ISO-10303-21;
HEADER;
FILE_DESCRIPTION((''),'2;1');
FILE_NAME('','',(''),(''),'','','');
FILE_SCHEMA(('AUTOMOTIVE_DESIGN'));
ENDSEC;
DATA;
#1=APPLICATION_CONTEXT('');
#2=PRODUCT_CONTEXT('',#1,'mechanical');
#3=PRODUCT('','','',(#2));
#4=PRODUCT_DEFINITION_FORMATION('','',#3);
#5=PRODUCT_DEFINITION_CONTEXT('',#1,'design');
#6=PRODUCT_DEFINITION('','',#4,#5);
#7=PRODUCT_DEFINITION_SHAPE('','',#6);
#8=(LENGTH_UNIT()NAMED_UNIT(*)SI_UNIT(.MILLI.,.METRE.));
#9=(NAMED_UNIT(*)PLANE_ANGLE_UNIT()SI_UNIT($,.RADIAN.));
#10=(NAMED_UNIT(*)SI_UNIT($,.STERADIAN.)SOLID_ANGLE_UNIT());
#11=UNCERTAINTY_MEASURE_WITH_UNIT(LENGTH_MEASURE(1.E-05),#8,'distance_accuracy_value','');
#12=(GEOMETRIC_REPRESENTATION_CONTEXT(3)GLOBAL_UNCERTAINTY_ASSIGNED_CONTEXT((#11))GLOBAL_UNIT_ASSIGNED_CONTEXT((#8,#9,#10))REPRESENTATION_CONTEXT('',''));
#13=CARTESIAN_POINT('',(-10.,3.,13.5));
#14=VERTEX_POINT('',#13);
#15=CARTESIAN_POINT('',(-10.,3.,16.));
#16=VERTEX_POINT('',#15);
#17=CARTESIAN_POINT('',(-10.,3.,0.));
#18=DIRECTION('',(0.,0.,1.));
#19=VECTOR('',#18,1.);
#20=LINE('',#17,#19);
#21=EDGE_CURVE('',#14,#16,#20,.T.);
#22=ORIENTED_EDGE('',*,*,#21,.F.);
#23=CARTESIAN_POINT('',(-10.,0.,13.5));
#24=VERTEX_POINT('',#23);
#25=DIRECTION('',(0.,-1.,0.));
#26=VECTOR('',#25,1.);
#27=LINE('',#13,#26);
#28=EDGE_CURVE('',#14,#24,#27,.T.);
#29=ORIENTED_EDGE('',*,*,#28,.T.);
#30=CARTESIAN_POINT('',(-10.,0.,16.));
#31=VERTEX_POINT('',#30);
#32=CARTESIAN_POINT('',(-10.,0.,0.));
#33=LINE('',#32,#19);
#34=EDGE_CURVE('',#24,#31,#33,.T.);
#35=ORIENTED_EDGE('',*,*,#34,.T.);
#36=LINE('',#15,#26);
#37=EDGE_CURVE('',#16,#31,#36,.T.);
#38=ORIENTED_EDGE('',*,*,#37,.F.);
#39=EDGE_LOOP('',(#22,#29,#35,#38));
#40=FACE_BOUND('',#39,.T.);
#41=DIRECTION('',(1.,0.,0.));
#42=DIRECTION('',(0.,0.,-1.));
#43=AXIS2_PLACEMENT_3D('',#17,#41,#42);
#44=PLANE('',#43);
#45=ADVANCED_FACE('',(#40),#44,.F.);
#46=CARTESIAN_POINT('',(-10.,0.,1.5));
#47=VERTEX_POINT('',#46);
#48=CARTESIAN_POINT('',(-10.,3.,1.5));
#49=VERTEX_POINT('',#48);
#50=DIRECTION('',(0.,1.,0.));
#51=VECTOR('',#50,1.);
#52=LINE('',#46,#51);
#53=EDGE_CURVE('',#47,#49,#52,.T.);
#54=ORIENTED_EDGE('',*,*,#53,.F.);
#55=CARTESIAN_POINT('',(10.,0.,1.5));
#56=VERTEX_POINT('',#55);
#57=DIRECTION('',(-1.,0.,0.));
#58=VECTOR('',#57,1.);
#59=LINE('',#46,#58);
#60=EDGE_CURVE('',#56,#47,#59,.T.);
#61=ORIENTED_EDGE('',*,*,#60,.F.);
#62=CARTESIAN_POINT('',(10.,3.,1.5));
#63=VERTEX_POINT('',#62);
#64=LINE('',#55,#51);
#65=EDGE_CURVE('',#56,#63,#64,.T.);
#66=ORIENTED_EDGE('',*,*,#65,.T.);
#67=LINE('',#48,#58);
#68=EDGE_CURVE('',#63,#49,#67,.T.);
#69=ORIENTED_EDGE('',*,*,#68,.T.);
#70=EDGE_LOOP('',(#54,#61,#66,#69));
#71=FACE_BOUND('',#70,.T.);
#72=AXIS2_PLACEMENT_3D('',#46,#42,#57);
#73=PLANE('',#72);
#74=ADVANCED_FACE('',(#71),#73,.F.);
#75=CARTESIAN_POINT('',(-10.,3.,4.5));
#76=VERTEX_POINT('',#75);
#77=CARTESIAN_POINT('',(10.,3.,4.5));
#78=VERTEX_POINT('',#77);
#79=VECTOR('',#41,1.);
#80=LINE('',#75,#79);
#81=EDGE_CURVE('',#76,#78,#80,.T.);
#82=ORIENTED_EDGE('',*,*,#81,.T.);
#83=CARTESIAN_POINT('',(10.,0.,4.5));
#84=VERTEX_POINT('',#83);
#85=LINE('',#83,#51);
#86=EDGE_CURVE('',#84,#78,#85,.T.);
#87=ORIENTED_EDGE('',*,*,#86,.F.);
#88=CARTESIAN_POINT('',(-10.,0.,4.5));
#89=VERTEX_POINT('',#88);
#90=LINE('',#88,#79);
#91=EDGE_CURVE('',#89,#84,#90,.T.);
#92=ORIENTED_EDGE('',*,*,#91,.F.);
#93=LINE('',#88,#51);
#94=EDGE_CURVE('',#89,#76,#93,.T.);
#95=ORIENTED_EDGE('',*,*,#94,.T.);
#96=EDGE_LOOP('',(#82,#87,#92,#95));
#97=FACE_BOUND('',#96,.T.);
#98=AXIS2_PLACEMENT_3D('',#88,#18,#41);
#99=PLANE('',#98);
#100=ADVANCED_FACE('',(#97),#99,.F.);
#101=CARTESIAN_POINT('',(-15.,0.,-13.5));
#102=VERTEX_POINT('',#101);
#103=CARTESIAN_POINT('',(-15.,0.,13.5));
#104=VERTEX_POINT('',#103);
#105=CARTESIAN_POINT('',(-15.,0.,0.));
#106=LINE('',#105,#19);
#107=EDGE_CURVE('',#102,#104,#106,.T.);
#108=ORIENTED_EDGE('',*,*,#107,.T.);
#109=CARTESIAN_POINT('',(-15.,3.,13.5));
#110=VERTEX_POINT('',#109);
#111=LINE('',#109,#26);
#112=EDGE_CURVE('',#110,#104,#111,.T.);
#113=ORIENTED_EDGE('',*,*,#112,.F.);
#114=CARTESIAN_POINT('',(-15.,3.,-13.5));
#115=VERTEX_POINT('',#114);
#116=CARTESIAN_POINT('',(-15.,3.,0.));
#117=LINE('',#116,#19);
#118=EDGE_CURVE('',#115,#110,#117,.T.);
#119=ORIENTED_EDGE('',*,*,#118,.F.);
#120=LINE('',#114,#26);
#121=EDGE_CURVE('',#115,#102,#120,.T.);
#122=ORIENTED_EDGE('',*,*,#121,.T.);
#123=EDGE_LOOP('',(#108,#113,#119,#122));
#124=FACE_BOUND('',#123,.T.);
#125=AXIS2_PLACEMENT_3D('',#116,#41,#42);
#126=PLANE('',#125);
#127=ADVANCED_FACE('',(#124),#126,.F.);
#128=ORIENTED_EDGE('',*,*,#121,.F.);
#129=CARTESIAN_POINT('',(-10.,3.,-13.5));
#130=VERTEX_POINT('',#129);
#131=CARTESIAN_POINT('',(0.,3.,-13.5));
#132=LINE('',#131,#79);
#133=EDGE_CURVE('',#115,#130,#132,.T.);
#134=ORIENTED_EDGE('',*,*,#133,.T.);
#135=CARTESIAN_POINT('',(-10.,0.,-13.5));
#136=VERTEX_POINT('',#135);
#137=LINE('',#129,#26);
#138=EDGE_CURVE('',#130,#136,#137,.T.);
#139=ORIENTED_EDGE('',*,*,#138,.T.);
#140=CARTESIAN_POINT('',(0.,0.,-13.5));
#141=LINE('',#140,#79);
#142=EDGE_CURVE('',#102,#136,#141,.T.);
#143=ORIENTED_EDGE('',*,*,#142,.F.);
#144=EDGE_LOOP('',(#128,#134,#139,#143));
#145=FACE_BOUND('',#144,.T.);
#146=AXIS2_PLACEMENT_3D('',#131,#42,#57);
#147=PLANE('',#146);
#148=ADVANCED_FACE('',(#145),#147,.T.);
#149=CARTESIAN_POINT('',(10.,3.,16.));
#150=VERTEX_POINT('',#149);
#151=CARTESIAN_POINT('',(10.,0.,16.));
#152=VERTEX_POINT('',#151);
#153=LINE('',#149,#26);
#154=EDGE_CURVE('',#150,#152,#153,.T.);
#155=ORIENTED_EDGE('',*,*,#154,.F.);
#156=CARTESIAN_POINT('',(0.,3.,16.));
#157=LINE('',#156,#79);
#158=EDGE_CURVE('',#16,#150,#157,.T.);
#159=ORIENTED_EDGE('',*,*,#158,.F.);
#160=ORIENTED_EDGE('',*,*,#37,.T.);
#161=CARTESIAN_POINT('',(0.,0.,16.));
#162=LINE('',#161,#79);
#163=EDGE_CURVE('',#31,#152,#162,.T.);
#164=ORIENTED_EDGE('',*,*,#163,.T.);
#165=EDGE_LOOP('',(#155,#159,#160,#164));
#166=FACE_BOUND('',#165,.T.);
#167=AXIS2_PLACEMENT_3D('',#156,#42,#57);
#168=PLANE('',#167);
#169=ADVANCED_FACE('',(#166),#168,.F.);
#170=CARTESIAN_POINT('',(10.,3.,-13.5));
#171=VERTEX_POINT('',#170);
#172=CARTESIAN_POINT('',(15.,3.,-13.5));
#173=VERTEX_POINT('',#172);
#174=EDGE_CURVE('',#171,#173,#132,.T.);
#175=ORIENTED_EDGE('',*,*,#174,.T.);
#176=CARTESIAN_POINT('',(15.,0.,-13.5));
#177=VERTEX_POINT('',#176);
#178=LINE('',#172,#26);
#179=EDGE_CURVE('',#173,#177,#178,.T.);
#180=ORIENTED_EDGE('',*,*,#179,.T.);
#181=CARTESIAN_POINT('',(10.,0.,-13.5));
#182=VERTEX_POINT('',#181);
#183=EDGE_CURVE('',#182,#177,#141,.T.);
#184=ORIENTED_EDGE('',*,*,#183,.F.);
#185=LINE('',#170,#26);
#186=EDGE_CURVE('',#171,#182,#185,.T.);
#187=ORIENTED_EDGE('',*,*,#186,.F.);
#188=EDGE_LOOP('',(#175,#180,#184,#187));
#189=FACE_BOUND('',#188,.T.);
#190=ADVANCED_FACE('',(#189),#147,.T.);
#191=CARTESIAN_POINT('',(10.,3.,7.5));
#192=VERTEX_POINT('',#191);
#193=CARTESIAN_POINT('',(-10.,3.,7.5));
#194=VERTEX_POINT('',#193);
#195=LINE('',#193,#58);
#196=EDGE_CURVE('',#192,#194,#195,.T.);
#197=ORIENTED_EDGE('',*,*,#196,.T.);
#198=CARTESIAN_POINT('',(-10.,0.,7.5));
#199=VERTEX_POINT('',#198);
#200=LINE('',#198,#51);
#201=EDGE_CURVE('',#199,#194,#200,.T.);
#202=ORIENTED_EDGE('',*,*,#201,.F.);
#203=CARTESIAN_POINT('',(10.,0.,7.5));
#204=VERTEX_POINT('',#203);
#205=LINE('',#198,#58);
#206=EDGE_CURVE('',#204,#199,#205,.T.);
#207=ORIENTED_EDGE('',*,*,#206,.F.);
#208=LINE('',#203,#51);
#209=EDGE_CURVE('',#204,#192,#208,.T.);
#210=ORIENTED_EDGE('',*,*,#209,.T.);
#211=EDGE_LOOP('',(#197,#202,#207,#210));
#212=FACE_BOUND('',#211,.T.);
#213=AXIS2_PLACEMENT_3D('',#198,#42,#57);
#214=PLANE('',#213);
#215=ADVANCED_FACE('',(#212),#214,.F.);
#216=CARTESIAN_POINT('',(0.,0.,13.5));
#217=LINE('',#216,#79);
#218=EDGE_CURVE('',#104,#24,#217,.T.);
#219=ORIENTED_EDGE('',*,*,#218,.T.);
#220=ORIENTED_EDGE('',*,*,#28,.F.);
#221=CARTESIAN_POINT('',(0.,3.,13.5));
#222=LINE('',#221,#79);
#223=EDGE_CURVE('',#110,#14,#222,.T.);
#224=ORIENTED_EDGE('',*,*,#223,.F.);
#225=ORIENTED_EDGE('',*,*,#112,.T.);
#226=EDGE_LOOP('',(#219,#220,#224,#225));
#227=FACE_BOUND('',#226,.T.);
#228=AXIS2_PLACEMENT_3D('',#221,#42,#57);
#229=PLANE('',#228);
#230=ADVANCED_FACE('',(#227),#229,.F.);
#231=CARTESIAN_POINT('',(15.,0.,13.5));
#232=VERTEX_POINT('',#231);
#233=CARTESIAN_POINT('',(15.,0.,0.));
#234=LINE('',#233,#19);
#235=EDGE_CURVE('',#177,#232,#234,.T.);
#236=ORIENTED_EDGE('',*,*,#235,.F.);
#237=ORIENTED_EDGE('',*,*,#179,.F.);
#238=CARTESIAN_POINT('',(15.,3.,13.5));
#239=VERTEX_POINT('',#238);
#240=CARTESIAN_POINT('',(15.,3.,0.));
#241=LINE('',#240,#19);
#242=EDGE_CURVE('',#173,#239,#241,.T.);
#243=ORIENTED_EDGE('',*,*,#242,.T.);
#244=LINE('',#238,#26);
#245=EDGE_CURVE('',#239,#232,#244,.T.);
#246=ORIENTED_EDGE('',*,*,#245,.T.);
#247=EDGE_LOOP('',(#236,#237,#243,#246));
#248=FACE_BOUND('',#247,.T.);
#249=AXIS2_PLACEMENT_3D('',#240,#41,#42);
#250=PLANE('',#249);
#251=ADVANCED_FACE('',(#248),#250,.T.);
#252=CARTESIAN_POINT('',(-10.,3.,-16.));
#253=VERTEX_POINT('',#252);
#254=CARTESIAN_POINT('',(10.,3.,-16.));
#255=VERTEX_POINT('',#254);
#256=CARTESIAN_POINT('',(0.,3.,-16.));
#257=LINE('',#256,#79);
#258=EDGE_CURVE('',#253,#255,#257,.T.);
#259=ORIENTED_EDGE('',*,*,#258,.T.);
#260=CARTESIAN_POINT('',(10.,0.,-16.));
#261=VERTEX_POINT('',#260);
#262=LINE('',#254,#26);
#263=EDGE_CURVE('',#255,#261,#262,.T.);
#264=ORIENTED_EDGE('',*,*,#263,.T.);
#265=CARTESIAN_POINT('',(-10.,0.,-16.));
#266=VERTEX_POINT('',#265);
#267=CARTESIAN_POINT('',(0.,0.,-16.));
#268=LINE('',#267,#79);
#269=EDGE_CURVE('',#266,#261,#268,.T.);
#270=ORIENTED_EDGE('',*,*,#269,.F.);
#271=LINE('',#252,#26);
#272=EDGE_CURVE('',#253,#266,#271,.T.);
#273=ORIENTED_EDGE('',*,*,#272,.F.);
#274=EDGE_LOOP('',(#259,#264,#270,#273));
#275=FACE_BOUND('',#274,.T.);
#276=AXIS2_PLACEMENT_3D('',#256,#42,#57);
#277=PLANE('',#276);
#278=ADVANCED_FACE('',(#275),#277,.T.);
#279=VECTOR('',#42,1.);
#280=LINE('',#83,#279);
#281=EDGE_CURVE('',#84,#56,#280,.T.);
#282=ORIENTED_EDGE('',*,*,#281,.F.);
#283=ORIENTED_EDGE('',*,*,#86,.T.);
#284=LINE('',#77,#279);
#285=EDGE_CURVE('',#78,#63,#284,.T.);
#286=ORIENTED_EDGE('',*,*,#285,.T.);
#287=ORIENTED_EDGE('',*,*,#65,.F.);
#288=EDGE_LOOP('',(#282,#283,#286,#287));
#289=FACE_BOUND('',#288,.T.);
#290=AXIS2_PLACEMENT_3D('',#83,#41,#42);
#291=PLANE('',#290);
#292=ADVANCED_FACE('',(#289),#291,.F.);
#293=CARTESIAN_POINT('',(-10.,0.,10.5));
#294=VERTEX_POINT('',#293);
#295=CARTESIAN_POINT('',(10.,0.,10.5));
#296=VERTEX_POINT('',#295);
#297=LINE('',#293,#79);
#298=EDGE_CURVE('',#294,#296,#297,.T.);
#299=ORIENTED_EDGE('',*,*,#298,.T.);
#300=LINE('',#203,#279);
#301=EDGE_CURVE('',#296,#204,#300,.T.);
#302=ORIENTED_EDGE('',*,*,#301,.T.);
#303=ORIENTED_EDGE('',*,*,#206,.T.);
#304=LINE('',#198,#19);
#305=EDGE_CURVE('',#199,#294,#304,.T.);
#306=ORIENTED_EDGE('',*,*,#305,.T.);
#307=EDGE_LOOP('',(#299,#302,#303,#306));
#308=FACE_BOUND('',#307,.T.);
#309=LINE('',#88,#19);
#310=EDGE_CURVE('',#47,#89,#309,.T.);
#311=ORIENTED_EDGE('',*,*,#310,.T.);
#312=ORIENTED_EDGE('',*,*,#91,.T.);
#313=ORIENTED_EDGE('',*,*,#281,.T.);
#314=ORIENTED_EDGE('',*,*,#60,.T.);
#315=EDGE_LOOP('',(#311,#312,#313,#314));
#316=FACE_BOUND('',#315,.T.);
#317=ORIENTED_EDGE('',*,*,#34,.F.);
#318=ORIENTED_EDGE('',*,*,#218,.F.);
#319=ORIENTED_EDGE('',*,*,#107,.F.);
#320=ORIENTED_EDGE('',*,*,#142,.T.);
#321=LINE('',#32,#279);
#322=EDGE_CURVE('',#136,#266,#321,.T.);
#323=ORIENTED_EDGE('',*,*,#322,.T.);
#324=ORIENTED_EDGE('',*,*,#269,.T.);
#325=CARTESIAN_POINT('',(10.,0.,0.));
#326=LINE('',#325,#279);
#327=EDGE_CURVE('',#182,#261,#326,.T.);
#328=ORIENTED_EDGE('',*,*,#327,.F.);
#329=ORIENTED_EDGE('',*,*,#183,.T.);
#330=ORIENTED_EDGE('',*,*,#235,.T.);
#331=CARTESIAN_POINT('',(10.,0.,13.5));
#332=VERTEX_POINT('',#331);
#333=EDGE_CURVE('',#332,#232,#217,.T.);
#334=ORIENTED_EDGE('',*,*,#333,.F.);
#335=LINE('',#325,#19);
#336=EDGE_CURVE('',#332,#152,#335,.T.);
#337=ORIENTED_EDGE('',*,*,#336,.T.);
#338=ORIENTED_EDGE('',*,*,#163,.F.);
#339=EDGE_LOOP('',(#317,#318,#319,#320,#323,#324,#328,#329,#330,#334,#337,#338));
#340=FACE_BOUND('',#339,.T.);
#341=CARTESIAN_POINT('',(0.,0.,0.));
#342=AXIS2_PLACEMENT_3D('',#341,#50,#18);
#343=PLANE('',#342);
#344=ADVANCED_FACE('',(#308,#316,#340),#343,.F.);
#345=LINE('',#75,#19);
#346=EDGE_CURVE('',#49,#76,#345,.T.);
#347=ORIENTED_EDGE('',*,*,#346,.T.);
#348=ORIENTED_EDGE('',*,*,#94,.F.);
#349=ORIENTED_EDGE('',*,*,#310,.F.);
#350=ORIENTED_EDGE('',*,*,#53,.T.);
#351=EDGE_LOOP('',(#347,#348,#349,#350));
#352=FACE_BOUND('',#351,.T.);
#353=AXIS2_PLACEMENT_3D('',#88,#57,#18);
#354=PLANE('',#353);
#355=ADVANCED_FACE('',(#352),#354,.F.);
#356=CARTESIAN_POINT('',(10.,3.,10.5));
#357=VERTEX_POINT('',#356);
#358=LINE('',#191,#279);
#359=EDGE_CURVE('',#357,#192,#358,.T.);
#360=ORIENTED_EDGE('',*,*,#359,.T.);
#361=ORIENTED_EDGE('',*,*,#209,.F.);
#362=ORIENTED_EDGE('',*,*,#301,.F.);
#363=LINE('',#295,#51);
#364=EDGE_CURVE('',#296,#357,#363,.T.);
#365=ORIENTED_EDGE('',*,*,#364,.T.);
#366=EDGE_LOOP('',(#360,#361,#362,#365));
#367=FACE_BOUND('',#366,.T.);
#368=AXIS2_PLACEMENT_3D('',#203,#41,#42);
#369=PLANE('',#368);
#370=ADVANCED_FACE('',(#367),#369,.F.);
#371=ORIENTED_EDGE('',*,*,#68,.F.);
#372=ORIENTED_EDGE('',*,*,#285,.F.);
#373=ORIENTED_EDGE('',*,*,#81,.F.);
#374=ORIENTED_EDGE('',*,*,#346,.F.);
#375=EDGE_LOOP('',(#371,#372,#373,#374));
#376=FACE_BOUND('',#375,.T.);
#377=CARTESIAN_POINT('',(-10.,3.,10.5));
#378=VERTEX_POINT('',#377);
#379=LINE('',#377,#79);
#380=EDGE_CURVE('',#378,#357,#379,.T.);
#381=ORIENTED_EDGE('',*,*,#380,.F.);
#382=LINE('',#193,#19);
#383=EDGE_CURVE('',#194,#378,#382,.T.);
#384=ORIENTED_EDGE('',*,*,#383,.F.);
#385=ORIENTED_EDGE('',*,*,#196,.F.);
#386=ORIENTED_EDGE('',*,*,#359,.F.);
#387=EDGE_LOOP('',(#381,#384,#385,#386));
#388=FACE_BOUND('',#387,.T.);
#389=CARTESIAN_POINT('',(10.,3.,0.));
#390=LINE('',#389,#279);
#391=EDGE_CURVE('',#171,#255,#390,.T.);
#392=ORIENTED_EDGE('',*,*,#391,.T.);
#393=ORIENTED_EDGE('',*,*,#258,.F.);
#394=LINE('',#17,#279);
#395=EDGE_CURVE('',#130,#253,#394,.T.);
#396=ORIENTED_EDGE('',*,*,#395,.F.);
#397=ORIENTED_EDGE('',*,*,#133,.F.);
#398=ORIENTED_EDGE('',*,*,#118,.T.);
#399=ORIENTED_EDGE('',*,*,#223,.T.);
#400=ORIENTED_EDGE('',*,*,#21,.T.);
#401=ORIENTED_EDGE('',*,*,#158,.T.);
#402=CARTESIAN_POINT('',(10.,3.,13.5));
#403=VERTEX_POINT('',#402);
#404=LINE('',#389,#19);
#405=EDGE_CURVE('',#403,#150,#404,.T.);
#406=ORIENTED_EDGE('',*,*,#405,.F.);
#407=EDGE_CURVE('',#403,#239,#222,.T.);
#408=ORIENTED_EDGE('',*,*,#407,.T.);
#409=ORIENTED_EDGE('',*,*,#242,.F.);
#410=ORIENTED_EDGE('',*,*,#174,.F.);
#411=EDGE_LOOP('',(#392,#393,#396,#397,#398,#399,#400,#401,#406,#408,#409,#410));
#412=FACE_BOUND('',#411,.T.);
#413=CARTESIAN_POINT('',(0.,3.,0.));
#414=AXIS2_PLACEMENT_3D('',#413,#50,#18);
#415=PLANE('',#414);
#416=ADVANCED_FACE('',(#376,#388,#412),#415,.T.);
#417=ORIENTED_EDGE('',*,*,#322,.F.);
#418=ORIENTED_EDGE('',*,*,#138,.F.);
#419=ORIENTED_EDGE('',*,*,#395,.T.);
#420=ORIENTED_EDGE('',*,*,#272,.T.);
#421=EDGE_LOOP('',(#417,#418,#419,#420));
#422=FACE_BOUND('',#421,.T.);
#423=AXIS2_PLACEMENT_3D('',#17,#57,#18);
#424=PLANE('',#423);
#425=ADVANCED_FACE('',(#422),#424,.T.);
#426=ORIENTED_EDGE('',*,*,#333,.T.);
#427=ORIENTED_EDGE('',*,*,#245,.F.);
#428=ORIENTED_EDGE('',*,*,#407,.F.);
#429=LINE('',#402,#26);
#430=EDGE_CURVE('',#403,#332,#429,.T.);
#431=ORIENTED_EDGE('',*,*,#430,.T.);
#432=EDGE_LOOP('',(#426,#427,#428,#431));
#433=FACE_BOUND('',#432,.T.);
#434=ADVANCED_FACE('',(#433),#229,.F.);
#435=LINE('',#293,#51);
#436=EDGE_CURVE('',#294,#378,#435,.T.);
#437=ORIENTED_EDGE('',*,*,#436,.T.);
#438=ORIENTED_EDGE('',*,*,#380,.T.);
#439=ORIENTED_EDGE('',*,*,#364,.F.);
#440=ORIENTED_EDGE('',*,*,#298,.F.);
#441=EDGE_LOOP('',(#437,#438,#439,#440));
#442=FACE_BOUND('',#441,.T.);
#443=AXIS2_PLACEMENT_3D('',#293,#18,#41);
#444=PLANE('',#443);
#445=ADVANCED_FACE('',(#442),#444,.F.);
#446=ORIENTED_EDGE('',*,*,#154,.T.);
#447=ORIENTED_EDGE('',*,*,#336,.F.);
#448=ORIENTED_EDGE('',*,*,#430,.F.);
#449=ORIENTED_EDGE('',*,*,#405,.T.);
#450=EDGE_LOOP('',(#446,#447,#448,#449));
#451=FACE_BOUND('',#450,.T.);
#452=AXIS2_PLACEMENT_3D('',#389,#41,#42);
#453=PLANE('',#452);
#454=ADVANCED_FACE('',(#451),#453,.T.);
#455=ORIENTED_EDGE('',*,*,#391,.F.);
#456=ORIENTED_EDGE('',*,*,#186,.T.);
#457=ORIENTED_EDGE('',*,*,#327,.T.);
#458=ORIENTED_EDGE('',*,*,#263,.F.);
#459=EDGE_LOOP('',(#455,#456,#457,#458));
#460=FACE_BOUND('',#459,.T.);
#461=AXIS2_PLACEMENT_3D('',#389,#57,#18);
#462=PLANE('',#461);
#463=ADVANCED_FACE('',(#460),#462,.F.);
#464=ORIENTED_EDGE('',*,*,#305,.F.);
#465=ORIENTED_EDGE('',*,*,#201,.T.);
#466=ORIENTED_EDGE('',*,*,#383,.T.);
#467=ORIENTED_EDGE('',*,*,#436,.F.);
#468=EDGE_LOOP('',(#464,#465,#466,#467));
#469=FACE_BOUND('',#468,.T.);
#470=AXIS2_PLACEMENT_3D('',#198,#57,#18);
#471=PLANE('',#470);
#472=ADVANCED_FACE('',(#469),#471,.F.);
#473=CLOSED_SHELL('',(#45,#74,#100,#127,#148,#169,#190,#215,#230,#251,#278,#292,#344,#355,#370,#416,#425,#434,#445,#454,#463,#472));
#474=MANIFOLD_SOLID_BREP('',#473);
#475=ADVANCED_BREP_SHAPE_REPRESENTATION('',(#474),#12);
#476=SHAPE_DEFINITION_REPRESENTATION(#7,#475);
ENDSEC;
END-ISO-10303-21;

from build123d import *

# Parameters (mm, degrees)
SKETCH_1_W          = 20
SKETCH_1_H          = 2.5
SKETCH_1_W_2        = 30
SKETCH_1_H_2        = 27
EXTRUDE_1_DEPTH     = 3
SKETCH_2_W          = 20
SKETCH_2_H          = 3
CUT_EXTRUDE_1_DEPTH = 23.135943621


with BuildPart() as part:
    # 草图1 → 凸台-拉伸1 (new body)
    with BuildSketch(Plane(origin=(0, 0, 0), x_dir=(1, 0, 0), z_dir=(0, 1, 0))):
        with Locations((0, 14.75)):
            Rectangle(SKETCH_1_W, SKETCH_1_H)
        Rectangle(SKETCH_1_W_2, SKETCH_1_H_2)
        with Locations((0, -14.75)):
            Rectangle(SKETCH_1_W, SKETCH_1_H)
    extrude(amount=EXTRUDE_1_DEPTH)

    # 草图2 → 切除-拉伸1 (cut, through all)
    with BuildSketch(Plane(origin=(0, 3, 0), x_dir=(1, 0, 0), z_dir=(0, 1, 0))):
        with Locations((0, -9)):
            Rectangle(SKETCH_2_W, SKETCH_2_H)
        with Locations((0, -3)):
            Rectangle(SKETCH_2_W, SKETCH_2_H)
    extrude(amount=-CUT_EXTRUDE_1_DEPTH, mode=Mode.SUBTRACT)


solid = part.part
